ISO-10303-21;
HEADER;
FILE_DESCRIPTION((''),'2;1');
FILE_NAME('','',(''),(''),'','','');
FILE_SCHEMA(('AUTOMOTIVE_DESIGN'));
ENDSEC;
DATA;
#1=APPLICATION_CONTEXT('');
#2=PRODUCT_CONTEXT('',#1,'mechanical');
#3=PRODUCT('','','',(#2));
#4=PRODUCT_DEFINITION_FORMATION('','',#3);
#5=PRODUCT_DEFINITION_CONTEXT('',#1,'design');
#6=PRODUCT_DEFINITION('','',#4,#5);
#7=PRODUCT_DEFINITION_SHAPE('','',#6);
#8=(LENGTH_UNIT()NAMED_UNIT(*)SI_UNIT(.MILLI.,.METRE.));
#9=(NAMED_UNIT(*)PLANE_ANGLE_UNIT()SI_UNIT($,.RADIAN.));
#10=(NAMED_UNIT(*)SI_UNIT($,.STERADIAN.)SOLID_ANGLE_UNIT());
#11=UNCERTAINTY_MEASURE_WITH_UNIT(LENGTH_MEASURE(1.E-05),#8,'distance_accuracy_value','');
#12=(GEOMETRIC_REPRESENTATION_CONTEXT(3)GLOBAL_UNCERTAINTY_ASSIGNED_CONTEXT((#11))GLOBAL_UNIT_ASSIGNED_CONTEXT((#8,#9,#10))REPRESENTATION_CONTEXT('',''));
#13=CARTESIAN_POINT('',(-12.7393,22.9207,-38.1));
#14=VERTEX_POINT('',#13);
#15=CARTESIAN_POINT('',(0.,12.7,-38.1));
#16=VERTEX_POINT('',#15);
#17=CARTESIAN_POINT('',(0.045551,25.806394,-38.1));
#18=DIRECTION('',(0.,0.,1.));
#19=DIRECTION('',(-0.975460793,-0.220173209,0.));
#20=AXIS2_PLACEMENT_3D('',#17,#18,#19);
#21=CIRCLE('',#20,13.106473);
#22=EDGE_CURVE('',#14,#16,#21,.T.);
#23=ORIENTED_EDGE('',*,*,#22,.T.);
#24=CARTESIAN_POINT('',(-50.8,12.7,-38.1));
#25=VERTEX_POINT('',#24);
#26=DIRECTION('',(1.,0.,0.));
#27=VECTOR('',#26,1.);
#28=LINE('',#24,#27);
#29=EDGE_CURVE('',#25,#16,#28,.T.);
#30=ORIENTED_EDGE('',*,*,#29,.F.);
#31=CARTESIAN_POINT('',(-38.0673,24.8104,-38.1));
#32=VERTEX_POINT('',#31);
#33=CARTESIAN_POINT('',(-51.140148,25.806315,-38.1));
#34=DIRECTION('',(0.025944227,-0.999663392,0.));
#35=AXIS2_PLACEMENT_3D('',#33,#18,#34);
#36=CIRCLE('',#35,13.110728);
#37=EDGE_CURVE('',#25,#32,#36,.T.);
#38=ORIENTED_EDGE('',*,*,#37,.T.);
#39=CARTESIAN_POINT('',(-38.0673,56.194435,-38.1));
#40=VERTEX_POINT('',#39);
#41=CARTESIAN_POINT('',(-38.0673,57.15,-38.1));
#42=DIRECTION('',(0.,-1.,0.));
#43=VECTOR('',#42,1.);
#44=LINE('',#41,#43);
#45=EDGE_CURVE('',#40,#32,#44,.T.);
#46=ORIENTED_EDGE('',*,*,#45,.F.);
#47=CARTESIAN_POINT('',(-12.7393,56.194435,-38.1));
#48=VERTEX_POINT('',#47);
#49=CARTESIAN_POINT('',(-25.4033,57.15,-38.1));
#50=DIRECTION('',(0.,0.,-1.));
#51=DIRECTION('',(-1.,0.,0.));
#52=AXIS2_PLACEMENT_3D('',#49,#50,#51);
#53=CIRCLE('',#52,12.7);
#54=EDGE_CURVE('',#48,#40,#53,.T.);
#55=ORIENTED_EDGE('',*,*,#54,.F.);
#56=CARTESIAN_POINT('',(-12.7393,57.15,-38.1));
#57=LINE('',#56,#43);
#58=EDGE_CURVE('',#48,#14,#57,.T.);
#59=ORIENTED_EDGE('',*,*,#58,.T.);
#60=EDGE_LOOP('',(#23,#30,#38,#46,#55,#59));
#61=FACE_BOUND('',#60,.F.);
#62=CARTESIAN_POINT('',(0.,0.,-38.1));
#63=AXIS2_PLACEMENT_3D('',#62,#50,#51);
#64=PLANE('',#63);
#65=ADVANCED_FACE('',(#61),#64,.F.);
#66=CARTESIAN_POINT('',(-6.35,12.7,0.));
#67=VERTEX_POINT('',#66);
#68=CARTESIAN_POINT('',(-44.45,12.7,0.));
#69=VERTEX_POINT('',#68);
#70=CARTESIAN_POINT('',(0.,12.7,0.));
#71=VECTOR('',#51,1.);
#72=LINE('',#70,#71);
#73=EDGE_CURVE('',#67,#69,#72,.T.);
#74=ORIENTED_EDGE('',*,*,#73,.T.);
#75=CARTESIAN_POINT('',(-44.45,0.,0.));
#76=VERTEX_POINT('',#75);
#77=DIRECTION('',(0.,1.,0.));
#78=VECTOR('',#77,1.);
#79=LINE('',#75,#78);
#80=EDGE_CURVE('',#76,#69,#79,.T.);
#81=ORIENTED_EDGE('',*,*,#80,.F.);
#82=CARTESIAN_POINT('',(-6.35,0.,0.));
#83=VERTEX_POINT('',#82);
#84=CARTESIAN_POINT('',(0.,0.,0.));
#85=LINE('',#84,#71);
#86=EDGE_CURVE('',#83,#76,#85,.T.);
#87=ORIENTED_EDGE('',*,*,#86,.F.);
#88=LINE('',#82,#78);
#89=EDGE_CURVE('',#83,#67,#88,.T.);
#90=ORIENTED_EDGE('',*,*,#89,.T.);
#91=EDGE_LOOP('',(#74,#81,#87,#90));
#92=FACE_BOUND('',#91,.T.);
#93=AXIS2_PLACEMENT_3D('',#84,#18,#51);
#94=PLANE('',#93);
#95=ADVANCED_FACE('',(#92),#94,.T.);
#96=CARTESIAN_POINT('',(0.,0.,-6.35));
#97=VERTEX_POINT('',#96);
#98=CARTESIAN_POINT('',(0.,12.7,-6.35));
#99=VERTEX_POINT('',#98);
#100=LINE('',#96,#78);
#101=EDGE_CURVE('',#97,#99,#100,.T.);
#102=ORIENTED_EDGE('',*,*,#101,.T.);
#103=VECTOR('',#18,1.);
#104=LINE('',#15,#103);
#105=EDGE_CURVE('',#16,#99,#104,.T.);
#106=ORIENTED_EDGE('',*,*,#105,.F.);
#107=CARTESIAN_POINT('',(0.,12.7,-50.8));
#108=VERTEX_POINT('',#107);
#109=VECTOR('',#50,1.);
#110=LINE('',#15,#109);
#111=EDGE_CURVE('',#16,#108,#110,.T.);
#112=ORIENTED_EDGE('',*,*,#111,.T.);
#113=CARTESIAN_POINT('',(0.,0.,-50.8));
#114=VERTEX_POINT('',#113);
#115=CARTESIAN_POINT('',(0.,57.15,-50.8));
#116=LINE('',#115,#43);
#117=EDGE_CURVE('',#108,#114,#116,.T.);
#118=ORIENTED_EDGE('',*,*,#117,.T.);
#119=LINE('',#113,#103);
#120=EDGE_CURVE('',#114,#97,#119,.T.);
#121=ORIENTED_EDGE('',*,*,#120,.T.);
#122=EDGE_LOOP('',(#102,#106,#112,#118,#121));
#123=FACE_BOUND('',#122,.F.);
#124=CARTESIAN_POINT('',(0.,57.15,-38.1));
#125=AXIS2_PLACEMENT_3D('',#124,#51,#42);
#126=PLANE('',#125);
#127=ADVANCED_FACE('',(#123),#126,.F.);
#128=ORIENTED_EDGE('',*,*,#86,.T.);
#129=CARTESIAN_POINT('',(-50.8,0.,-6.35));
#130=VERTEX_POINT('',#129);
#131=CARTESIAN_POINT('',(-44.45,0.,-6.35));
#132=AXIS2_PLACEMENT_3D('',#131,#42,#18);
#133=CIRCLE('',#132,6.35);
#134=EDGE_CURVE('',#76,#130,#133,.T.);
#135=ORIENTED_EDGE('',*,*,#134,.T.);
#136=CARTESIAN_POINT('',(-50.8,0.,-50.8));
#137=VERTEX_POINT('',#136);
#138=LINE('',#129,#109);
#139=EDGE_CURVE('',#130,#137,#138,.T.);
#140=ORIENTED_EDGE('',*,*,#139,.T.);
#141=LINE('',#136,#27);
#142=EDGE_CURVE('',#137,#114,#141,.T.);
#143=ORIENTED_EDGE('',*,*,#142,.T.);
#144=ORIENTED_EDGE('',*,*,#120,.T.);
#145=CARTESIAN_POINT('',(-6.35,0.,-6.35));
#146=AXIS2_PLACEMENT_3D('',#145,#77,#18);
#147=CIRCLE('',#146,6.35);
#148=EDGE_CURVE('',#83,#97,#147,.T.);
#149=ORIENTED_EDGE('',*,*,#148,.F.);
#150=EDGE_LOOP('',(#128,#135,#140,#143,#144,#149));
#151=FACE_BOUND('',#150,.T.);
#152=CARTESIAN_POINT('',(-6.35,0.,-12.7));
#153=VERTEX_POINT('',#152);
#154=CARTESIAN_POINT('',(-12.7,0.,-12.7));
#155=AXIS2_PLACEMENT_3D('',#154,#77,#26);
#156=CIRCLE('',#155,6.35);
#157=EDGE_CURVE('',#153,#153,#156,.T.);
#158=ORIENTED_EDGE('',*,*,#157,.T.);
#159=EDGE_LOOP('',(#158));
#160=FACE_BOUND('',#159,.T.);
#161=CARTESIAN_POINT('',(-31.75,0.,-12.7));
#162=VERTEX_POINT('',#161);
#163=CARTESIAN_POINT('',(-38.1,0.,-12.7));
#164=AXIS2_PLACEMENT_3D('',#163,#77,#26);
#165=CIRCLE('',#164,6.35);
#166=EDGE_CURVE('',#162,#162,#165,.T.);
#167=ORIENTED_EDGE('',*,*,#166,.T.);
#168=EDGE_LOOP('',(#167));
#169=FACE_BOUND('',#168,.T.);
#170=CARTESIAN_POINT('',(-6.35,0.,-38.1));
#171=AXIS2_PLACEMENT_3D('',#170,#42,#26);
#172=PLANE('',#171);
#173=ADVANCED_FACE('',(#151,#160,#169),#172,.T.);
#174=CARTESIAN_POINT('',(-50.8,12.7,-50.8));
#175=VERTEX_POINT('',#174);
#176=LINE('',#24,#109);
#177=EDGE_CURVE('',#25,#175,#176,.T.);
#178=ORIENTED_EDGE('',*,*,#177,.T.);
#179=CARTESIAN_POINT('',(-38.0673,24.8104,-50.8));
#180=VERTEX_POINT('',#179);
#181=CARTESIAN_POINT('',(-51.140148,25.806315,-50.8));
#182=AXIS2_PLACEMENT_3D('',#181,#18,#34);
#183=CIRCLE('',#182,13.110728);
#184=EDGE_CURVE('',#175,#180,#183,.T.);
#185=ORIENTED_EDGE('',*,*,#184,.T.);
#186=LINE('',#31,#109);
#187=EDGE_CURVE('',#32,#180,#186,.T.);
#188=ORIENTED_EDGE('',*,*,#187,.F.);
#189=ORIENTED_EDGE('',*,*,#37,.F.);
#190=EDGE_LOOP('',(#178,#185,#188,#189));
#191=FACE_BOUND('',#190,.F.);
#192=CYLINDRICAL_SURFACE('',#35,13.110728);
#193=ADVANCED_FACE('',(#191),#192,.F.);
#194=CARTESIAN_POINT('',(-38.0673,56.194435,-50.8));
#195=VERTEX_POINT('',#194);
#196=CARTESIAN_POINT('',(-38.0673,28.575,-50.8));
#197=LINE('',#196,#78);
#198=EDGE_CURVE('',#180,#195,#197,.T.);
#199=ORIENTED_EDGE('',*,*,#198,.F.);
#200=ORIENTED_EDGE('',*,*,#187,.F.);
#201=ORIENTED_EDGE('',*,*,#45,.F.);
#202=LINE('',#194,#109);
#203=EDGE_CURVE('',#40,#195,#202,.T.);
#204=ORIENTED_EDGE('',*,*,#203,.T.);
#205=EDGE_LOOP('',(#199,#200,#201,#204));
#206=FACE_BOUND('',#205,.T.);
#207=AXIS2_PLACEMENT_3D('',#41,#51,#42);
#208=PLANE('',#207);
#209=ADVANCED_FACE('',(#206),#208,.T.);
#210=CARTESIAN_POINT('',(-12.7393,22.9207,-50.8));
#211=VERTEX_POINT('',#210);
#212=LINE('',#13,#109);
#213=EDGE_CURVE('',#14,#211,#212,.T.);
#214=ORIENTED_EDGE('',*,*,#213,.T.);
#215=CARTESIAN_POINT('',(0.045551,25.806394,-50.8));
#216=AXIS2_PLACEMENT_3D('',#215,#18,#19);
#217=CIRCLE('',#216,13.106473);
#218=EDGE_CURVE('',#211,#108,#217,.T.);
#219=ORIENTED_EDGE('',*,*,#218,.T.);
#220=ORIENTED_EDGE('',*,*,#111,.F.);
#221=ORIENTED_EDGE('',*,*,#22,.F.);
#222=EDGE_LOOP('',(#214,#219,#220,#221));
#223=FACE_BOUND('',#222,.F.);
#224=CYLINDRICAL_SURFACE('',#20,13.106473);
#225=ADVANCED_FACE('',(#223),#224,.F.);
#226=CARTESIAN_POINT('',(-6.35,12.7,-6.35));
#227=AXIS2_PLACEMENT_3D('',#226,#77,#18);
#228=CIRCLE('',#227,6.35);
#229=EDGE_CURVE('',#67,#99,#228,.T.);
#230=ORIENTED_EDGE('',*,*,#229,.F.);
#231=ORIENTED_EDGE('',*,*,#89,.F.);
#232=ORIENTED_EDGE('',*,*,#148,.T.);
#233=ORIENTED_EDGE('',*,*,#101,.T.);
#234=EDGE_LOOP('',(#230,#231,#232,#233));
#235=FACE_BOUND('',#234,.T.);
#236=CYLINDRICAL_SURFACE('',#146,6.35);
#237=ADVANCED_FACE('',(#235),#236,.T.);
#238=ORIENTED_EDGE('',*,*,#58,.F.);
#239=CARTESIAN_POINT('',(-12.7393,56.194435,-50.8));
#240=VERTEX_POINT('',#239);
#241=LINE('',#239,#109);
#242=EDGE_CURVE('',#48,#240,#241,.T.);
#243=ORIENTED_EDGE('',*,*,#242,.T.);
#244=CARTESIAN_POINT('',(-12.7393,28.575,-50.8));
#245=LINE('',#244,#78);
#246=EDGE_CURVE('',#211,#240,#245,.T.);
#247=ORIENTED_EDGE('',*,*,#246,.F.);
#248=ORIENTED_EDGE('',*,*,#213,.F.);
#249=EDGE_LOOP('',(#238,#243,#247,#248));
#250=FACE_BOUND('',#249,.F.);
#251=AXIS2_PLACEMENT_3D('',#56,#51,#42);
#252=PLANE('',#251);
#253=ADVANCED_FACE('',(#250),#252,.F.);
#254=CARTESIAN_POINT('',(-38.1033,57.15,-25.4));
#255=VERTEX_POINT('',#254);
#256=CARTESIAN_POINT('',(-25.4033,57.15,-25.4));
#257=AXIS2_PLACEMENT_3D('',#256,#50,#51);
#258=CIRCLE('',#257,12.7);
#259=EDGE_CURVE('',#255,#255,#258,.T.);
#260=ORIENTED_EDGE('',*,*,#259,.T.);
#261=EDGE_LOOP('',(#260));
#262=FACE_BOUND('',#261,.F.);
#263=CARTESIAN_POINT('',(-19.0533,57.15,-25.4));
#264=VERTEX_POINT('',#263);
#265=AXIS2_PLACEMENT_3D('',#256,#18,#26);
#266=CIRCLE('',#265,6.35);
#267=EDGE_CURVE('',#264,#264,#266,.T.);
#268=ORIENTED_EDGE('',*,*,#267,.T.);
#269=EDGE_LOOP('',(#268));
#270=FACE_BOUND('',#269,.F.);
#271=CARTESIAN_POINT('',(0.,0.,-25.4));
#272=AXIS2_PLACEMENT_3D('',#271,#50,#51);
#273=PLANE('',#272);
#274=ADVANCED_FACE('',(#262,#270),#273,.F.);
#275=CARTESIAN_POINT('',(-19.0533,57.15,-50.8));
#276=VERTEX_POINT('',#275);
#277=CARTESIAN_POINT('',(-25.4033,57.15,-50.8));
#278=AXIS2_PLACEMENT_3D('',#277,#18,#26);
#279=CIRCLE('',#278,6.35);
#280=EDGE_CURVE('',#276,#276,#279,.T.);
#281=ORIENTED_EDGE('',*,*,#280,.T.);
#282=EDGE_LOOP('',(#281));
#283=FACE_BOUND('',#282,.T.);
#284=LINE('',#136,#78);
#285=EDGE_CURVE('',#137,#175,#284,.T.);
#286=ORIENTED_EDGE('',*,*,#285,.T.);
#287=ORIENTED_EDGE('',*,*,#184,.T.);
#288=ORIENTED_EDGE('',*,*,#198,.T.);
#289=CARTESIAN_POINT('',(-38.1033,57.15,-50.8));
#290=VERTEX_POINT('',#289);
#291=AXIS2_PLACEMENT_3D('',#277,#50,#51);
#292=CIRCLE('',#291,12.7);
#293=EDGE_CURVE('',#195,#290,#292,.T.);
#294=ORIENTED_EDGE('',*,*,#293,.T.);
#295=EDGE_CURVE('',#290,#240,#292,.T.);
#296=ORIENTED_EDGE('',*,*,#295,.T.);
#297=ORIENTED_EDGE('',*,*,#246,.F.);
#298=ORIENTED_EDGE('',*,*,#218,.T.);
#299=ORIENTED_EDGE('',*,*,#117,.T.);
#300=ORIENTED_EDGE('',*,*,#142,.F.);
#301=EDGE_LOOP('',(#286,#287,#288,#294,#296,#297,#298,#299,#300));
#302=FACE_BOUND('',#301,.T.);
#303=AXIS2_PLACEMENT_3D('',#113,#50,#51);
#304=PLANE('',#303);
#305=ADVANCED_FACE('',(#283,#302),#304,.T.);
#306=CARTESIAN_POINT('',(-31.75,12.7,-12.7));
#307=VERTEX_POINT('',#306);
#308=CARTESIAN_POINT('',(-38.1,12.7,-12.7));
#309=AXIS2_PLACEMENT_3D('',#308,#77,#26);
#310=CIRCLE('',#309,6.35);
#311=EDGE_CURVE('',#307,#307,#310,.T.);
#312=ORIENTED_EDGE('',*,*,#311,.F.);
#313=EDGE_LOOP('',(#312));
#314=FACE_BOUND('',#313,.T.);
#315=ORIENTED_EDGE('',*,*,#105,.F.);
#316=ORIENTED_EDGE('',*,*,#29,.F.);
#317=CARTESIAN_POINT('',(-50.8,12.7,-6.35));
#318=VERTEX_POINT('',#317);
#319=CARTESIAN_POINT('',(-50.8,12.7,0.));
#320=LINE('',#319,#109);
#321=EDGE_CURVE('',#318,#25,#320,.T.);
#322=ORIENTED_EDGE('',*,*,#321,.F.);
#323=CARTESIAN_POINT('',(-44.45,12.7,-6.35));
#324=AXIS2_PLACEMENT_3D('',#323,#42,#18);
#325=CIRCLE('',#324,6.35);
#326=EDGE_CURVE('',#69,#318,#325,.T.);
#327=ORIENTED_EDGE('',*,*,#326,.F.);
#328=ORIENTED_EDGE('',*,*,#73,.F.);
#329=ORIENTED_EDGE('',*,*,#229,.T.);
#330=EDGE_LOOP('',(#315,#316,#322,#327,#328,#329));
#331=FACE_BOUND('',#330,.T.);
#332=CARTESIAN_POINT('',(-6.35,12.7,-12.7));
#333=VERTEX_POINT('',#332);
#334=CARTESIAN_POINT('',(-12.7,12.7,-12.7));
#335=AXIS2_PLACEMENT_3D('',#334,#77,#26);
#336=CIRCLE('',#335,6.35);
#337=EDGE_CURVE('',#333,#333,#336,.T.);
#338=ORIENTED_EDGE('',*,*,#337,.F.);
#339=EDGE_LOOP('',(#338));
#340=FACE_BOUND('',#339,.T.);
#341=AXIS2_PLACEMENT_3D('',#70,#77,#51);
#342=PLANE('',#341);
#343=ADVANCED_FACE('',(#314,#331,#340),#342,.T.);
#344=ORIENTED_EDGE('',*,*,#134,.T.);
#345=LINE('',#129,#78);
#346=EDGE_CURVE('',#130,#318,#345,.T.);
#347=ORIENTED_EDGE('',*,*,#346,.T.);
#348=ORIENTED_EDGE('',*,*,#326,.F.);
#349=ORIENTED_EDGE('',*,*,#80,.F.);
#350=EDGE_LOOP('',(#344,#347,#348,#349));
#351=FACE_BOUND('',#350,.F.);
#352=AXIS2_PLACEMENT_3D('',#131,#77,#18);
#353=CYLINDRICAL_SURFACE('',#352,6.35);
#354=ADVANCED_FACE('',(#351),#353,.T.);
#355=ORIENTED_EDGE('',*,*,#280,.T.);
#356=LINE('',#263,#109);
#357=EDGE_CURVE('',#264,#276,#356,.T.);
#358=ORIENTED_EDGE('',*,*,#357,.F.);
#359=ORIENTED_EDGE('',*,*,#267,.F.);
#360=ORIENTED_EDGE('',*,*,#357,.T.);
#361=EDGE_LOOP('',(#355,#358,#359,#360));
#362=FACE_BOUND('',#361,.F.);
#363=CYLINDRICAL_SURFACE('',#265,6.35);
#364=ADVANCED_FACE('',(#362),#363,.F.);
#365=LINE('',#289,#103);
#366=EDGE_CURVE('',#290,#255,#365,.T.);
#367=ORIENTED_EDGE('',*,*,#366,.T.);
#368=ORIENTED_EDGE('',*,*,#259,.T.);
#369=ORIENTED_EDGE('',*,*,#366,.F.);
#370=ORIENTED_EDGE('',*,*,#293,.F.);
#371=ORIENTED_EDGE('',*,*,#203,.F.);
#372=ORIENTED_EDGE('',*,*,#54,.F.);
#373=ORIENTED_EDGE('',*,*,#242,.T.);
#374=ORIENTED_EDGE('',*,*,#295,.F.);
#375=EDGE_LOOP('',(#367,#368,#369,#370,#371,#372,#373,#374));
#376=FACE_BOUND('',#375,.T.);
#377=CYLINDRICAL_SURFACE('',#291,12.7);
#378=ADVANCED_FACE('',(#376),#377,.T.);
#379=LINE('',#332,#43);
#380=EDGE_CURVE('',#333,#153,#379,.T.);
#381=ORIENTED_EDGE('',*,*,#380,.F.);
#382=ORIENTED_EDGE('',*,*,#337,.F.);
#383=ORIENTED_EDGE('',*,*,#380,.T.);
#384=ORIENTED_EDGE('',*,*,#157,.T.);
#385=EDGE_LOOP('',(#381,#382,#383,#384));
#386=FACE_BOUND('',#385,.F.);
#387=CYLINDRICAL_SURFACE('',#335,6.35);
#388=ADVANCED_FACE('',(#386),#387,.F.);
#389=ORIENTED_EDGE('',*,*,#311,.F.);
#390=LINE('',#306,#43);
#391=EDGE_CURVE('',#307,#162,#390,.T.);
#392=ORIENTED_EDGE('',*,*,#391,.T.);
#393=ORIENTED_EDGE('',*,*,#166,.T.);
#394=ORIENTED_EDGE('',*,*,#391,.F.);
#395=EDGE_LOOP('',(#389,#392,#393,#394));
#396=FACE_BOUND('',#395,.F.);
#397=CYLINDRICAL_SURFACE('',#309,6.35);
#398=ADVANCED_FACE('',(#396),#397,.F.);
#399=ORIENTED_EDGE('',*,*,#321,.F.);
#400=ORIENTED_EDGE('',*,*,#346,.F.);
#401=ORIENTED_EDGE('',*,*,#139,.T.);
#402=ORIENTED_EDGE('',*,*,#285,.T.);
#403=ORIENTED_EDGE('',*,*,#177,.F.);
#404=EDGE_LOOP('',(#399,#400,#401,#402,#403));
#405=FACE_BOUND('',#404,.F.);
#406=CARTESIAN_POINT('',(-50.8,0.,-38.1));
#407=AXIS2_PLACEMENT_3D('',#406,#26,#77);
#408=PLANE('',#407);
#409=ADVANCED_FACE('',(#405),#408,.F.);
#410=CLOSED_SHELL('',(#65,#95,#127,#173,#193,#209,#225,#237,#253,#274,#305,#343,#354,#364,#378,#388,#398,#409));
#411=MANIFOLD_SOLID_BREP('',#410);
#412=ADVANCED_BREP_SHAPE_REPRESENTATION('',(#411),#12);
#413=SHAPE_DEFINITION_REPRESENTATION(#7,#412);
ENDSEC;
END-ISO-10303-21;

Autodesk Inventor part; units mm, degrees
ref_plane "YZ Plane" through (0, 0, 0) normal (1, 0, 0) x (0, 1, 0)
ref_plane "XZ Plane" through (0, 0, 0) normal (0, 1, 0) x (-1, 0, 0)
ref_plane "XY Plane" through (0, 0, 0) normal (0, 0, 1) x (1, 0, 0)
sketch "Sketch1" plane through (0, 0, 0) normal (0, 1, 0) x (-1, 0, 0)
  line L0 (0, 0) -> (50.8, 0)
  line L1 (50.8, 0) -> (50.8, -38.1)
  line L2 (50.8, -38.1) -> (0, -38.1)
  line L3 (0, -38.1) -> (0, 0)
  dimension "d0" = 50.8
  dimension "d1" = 38.1
extrude "Extrusion1" add sketch "Sketch1" along normal blind 12.7
fillet "Fillet1" radius 6.35 2 edges at (0, 6.35, 0) (-50.8, 6.35, 0)
sketch "Sketch2" plane through (0, 12.7, 0) normal (0, 1, 0) x (1, 0, 0)
  circle A0 centre (-12.7, 12.7) radius 6.35
  circle A1 centre (-38.1, 12.7) radius 6.35
  line L0 (-50.8, 38.1) -> (-50.8, 6.35) projected
  line L1 (-44.45, 0) -> (-6.35, 0) projected
  point P0 (0, 0)
  dimension "d5" = 12.7
  dimension "d6" = 12.7
  dimension "d7" = 12.7
  dimension "d8" = 12.7
extrude "Extrusion2" cut sketch "Sketch2" against normal blind 12.7
sketch "Sketch3" plane through (0, 0, -38.1) normal (0, 0, -1) x (-1, 0, 0)
  line L0 (6.35, 0) -> (0, 0) projected
  line L1 (0, 0) -> (50.8, 0)
  line L2 (50.8, 0) -> (50.8, 57.15)
  line L3 (50.8, 57.15) -> (0, 57.15)
  line L4 (0, 57.15) -> (0, 0)
  dimension "d11" = 57.15
extrude "Extrusion3" add sketch "Sketch3" along normal blind 12.7
sketch "Sketch4" plane through (0, 0, -38.1) normal (0, 0, 1) x (1, 0, 0)
  line L0 (0, 57.15) -> (0, 12.7) projected
  line L1 (0, 57.15) -> (-12.7, 57.15)
  line L2 (-12.7, 57.15) -> (-12.7, 12.7)
  line L3 (-12.7, 12.7) -> (0, 12.7)
  line L4 (0, 12.7) -> (0, 57.15)
  line L5 (-50.8, 12.7) -> (-44.45, 12.7) projected
  line L6 (-50.8, 57.15) -> (0, 57.15) projected
  line L7 (-50.8, 12.7) -> (-38.1, 12.7)
  line L8 (-38.1, 12.7) -> (-38.1, 57.15)
  line L9 (-38.1, 57.15) -> (-50.8, 57.15)
  line L10 (-50.8, 57.15) -> (-50.8, 12.7)
  point P0 (0, 0)
  dimension "d14" = 12.7
  dimension "d15" = 12.7
sketch "Sketch5" plane through (0, 0, -38.1) normal (0, 0, 1) x (1, 0, 0)
  line L0 (-50.8, 57.15) -> (0, 57.15) projected
  line L1 (-38.0673, 57.15) -> (-38.0673, 24.8104)
  line L2 (0, 12.7) -> (-50.8, 12.7) projected
  arc A0 (-50.8, 12.7) -> (-38.0673, 24.8104) centre (-51.1401, 25.8062) ccw
  line L3 (-12.7393, 57.15) -> (-12.7393, 22.9207)
  arc A1 (-12.7393, 22.9207) -> (0, 12.7) centre (0.0454, 25.8063) ccw
  line L4 (-38.0673, 57.15) -> (-50.8, 57.15)
  line L5 (-50.8, 12.7) -> (-50.8, 57.15) projected
  line L6 (-50.8, 12.7) -> (-50.8, 57.15)
  line L7 (-12.7393, 57.15) -> (0, 57.15)
  line L8 (0, 57.15) -> (0, 12.7) projected
  line L9 (0, 57.15) -> (0, 12.7)
  point P0 (0, 0)
  dimension "d16" = 13.1064
extrude "Extrusion4" cut sketch "Sketch5" against normal blind 33.3375 contours L0 L1 A0 L5 | L0 L8 A1 L3
sketch "Sketch6" plane through (0, 0, -50.8) normal (0, 0, -1) x (-1, 0, 0)
  line L0 (38.0673, 57.15) -> (12.7393, 57.15) projected
  circle A0 centre (25.4033, 57.15) radius 12.7
  point P0 (0, 0)
  dimension "d19" = 25.4
extrude "Extrusion5" add sketch "Sketch6" against normal blind 25.4
sketch "Sketch7" plane through (-25.4033, 57.15, -25.4) normal (0, 0, 1) x (1, 0, 0)
  circle A0 centre (0, 0) radius 6.35
  point P0 (25.4033, -57.15)
  dimension "d22" = 12.7
extrude "Extrusion6" cut sketch "Sketch7" against normal blind 2540
